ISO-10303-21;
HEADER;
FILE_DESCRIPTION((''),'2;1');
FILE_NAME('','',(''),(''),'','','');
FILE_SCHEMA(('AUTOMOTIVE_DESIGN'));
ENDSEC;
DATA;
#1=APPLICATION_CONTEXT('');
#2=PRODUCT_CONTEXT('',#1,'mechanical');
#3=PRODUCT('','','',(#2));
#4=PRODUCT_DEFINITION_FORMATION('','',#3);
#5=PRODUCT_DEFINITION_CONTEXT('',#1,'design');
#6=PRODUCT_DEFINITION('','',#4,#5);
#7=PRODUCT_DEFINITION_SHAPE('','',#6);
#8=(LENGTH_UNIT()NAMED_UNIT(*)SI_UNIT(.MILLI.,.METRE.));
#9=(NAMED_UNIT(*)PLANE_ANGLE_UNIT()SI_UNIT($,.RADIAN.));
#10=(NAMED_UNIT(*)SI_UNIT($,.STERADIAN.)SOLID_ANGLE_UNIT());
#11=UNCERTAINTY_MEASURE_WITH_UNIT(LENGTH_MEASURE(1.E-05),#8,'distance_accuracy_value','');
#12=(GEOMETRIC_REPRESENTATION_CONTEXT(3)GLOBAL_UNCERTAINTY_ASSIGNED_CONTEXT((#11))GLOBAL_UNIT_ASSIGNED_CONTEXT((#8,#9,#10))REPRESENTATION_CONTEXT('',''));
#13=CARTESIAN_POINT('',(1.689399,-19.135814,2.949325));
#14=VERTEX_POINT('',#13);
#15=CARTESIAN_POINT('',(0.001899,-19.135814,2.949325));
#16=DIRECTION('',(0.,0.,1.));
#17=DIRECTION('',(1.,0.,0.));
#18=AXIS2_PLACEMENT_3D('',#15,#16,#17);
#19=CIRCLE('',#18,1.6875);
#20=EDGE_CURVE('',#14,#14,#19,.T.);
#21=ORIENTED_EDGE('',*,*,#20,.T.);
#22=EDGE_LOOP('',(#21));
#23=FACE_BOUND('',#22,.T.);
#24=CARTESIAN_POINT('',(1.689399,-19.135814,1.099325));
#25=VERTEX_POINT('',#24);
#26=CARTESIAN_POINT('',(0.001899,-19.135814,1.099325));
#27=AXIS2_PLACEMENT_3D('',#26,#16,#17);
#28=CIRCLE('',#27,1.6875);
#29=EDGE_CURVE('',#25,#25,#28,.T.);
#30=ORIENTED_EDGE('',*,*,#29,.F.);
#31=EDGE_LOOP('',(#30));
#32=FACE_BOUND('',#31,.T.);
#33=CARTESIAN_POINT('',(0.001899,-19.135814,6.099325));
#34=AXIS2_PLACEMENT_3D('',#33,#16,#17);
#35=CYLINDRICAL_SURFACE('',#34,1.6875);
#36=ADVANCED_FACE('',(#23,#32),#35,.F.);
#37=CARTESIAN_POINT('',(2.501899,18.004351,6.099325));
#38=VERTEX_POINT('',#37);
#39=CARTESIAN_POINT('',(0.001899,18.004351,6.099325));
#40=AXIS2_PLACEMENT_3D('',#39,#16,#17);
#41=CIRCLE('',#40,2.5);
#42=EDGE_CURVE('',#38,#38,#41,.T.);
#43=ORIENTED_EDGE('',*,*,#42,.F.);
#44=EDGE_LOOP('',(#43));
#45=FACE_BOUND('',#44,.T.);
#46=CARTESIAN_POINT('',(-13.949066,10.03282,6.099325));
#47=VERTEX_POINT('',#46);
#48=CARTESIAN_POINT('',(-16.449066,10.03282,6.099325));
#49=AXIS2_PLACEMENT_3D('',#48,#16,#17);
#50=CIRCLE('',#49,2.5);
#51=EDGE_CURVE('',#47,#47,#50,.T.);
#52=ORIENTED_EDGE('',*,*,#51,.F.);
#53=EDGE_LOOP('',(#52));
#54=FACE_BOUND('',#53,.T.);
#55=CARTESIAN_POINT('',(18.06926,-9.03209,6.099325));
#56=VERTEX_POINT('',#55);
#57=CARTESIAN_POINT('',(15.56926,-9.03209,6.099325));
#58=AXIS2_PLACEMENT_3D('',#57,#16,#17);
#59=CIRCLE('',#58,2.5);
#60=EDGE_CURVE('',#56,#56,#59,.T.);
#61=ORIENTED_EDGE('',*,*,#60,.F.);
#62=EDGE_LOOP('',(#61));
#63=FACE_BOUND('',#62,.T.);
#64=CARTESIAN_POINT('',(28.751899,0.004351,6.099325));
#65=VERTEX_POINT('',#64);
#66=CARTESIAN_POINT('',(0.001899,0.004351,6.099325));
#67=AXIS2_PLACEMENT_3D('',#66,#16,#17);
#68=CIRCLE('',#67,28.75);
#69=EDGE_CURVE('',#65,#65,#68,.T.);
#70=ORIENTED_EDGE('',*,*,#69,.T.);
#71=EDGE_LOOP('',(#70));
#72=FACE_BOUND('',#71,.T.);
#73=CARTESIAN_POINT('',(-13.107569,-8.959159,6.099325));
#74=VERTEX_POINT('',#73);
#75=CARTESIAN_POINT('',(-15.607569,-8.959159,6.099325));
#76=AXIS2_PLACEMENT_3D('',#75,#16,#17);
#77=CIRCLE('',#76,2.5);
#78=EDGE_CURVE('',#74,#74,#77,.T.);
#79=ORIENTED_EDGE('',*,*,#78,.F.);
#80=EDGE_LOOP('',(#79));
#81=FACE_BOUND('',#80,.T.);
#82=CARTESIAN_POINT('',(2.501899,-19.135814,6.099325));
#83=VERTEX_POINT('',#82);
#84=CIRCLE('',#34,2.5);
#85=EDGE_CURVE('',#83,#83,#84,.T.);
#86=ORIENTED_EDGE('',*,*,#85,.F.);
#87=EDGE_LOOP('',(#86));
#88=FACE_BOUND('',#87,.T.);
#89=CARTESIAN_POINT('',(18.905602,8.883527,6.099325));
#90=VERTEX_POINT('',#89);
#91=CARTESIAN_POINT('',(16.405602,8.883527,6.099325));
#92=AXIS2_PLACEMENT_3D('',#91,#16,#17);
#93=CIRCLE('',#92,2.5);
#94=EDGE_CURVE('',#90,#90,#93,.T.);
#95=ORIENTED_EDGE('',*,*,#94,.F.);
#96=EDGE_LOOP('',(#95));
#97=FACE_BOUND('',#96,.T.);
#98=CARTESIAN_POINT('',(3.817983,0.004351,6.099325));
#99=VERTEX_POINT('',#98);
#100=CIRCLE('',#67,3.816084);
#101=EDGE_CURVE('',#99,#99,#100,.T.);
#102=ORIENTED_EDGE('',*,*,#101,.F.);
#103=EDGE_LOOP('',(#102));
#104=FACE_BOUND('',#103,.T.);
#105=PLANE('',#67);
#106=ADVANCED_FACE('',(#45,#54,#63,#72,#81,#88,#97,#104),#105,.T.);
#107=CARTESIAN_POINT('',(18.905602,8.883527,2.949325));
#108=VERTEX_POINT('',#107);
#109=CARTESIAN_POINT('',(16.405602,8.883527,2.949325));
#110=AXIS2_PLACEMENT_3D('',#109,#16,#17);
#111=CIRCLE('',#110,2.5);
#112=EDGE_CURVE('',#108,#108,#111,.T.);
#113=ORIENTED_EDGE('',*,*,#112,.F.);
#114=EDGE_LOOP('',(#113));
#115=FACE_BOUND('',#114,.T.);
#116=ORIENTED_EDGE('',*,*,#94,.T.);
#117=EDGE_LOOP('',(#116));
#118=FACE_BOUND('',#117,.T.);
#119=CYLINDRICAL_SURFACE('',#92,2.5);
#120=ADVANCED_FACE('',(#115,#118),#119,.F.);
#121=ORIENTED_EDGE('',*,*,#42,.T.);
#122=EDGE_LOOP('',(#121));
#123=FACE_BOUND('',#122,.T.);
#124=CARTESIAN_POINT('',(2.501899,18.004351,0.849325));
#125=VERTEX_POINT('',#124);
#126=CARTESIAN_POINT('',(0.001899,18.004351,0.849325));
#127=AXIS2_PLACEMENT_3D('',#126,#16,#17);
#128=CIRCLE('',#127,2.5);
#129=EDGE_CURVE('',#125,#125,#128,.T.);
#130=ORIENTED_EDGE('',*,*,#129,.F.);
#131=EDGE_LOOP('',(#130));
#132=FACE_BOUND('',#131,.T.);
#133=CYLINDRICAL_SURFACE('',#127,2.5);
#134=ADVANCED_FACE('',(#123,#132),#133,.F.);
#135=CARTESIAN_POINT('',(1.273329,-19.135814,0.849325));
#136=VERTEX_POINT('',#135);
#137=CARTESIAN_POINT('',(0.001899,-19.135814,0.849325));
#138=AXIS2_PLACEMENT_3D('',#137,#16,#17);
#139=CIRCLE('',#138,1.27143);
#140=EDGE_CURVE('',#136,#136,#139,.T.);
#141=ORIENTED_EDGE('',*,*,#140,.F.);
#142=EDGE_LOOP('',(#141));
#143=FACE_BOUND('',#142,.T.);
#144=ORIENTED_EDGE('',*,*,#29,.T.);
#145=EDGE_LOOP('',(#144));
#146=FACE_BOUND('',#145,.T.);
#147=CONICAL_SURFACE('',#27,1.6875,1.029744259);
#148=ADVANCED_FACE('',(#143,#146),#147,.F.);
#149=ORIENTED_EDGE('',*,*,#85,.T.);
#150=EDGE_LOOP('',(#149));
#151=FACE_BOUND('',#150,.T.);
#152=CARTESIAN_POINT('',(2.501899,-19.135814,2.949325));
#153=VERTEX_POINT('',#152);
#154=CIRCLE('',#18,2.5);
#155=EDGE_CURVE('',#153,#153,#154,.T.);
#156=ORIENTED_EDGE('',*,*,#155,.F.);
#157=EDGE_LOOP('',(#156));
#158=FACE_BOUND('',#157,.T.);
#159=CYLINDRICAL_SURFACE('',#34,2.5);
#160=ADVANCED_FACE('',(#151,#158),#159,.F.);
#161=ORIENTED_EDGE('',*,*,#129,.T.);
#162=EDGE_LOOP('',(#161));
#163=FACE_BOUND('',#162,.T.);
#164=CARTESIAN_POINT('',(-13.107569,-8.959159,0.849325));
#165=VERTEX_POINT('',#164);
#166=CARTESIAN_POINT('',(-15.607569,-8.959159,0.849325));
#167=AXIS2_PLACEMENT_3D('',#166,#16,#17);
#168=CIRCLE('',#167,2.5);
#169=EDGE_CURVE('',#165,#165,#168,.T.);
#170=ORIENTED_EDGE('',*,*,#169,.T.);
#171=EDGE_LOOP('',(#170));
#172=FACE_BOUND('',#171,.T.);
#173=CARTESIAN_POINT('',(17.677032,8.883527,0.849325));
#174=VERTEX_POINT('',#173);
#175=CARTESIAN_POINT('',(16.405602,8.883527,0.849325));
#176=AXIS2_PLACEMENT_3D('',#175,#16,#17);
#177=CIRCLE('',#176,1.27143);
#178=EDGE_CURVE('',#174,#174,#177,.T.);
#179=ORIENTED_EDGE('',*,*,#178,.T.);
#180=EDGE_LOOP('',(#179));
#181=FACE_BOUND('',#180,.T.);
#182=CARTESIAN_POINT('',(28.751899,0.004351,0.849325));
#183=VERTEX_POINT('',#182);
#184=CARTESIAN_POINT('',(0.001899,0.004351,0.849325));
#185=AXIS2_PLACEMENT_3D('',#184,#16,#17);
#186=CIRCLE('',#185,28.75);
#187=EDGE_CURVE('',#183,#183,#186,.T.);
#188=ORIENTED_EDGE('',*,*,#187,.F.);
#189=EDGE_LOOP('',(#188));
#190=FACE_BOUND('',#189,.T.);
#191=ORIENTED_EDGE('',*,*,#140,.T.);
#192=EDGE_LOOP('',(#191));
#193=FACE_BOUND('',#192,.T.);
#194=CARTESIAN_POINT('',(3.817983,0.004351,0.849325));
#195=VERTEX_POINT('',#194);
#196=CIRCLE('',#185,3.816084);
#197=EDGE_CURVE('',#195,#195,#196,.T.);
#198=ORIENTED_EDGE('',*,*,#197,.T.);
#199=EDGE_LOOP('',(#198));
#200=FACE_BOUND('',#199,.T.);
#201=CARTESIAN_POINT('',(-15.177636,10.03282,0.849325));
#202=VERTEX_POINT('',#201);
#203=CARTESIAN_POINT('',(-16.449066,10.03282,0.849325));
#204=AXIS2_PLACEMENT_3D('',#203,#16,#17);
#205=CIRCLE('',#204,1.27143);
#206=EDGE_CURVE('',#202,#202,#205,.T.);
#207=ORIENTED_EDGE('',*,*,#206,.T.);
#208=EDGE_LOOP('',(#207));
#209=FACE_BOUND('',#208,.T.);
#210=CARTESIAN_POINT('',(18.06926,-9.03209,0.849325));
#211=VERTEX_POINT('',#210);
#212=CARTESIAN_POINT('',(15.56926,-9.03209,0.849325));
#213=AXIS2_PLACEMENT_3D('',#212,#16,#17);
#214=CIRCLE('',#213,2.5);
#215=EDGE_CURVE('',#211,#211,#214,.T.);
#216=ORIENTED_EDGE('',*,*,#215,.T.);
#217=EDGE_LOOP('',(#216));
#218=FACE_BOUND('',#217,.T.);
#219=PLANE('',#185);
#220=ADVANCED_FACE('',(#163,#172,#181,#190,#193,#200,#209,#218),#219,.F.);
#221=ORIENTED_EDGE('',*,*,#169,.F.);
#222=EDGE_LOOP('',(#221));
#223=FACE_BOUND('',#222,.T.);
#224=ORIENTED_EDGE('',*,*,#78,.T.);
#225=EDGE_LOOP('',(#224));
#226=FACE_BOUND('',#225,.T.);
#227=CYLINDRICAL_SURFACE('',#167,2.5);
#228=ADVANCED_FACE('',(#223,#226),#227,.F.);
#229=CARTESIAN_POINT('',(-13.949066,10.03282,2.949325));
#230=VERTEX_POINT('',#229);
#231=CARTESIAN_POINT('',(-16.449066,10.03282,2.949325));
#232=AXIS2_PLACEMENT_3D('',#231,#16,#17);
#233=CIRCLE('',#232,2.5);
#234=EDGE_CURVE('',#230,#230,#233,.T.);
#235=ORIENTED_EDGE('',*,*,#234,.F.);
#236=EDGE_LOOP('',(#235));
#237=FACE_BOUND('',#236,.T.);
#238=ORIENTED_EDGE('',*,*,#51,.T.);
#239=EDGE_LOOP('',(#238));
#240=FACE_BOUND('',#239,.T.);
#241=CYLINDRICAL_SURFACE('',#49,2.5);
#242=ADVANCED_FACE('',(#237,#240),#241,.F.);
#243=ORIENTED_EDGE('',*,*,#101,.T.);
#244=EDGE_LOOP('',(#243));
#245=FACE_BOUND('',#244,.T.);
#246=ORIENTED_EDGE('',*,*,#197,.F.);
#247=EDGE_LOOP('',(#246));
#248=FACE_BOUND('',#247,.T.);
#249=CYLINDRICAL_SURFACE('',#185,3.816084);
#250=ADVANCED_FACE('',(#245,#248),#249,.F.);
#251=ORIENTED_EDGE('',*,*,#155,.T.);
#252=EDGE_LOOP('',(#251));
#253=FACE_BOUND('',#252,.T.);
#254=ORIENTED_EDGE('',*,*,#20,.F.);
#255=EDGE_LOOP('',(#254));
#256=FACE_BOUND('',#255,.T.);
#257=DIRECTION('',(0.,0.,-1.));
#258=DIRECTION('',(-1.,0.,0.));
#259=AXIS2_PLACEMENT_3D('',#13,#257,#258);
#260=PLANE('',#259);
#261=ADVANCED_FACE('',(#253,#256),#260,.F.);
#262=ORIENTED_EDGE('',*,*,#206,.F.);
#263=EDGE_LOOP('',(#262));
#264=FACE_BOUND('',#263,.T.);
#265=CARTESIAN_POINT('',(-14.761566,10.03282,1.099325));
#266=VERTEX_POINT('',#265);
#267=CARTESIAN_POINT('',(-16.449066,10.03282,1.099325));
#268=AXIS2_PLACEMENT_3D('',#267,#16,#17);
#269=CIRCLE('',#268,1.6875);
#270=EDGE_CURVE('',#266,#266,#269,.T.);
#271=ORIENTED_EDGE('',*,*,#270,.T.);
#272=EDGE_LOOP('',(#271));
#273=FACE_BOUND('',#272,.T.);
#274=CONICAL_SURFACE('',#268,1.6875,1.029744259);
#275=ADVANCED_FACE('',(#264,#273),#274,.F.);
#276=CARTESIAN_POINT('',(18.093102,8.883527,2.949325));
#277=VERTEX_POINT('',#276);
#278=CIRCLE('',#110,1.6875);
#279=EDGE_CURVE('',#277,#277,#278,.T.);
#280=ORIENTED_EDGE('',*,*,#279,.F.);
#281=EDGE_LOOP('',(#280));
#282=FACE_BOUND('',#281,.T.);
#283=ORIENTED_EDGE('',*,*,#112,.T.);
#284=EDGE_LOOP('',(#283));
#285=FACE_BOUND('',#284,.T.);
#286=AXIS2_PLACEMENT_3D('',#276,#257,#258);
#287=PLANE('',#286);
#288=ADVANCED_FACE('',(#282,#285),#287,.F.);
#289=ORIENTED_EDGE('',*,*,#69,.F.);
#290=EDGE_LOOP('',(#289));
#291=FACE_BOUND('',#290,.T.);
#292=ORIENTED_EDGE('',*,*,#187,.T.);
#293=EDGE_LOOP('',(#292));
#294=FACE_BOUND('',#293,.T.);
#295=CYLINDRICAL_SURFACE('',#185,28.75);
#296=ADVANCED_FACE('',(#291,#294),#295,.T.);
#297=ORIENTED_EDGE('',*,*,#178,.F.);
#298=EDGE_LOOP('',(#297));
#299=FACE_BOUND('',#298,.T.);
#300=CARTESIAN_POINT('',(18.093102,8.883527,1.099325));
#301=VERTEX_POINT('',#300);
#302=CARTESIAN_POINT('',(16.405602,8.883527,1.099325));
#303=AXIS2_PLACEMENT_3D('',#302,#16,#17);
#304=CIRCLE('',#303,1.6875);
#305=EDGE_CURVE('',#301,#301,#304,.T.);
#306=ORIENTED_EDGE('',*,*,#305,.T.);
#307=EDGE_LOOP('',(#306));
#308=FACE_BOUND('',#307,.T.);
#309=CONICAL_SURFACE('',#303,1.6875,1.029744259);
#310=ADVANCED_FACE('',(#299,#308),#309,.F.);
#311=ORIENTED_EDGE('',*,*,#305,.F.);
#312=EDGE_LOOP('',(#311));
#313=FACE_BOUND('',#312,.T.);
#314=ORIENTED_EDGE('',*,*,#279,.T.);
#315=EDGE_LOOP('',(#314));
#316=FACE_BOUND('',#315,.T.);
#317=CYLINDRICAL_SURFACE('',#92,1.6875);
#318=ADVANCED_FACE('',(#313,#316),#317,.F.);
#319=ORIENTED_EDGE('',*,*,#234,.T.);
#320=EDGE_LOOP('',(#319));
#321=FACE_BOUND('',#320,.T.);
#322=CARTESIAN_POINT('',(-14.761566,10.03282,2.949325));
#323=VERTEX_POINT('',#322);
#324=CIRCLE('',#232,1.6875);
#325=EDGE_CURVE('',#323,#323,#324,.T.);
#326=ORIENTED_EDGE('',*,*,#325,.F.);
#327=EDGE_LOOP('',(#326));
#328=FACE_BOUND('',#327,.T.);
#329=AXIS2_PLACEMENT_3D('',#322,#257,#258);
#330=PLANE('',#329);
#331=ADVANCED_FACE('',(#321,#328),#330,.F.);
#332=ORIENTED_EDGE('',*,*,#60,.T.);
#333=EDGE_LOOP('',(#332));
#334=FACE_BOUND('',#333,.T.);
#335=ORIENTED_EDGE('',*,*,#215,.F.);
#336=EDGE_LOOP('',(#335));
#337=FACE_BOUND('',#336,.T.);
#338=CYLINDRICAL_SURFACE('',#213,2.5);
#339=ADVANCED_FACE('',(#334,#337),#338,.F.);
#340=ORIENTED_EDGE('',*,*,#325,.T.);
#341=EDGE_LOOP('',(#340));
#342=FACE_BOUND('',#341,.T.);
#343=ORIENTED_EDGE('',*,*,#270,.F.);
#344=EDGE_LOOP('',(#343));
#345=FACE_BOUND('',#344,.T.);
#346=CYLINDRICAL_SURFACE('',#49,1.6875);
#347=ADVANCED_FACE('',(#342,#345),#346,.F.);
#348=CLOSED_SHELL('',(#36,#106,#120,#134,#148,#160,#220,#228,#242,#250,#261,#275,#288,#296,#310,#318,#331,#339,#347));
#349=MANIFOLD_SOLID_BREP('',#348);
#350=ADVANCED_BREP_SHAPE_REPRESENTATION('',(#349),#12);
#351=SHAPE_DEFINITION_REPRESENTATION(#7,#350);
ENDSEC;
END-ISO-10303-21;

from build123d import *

# Parameters (mm, degrees)
BOSS_EXTRU_1_DEPTH                                 = 14
BOSS_EXTRU_1_DEPTH_BACK                            = 7
ESQUISSE1_R                                        = 115
ESQUISSE1_R_2                                      = 10
ESQUISSE1_R_3                                      = 15.264337522
CHAMBRAGE_POUR_VIS_T_TE_HEXAGONALE_M12_D           = 13.5
CHAMBRAGE_POUR_VIS_T_TE_HEXAGONALE_M12_DEPTH       = 20
CHAMBRAGE_POUR_VIS_T_TE_HEXAGONALE_M12_CBORE_D     = 20
CHAMBRAGE_POUR_VIS_T_TE_HEXAGONALE_M12_CBORE_DEPTH = 12.6
CHAMBRAGE_POUR_VIS_T_TE_HEXAGONALE_M12_TIP         = 4.055809178
ECHELLE1_SCALE                                     = 0.25


with BuildPart() as part:
    # Esquisse1 → Boss.-Extru.1 (new, two sides: drawn at the far end of the back side and taken through both)
    with BuildSketch(Plane.XY.offset(-BOSS_EXTRU_1_DEPTH_BACK)):
        Circle(ESQUISSE1_R)
        with Locations((0, 72)):
            Circle(ESQUISSE1_R_2, mode=Mode.SUBTRACT)
        with Locations((-62.437871739, -35.854039838)):
            Circle(ESQUISSE1_R_2, mode=Mode.SUBTRACT)
        with Locations((62.269445197, -36.145763165)):
            Circle(ESQUISSE1_R_2, mode=Mode.SUBTRACT)
        Circle(ESQUISSE1_R_3, mode=Mode.SUBTRACT)
    extrude(amount=BOSS_EXTRU_1_DEPTH + BOSS_EXTRU_1_DEPTH_BACK)

    # Chambrage pour vis à tête hexagonale M121
    with Locations(Plane.XY.offset(14)):
        with Locations((0, -76.560659085), (65.614813045, 35.516704779), (-65.803859781, 40.113875083)):
            CounterBoreHole(CHAMBRAGE_POUR_VIS_T_TE_HEXAGONALE_M12_D / 2, CHAMBRAGE_POUR_VIS_T_TE_HEXAGONALE_M12_CBORE_D / 2, CHAMBRAGE_POUR_VIS_T_TE_HEXAGONALE_M12_CBORE_DEPTH, depth=CHAMBRAGE_POUR_VIS_T_TE_HEXAGONALE_M12_DEPTH)
            with Locations((0, 0, -(CHAMBRAGE_POUR_VIS_T_TE_HEXAGONALE_M12_DEPTH + CHAMBRAGE_POUR_VIS_T_TE_HEXAGONALE_M12_TIP / 2))):  # 118° drill point
                Cone(0, CHAMBRAGE_POUR_VIS_T_TE_HEXAGONALE_M12_D / 2, CHAMBRAGE_POUR_VIS_T_TE_HEXAGONALE_M12_TIP, mode=Mode.SUBTRACT)


with BuildPart() as part_1:
    # Echelle1: scaled about (0.002531385, 0.00580145, 3.465766244)
    add(part.part.scale(ECHELLE1_SCALE).moved(Location((0.001898539, 0.004351087, 2.599324683))))


solid = part_1.part
